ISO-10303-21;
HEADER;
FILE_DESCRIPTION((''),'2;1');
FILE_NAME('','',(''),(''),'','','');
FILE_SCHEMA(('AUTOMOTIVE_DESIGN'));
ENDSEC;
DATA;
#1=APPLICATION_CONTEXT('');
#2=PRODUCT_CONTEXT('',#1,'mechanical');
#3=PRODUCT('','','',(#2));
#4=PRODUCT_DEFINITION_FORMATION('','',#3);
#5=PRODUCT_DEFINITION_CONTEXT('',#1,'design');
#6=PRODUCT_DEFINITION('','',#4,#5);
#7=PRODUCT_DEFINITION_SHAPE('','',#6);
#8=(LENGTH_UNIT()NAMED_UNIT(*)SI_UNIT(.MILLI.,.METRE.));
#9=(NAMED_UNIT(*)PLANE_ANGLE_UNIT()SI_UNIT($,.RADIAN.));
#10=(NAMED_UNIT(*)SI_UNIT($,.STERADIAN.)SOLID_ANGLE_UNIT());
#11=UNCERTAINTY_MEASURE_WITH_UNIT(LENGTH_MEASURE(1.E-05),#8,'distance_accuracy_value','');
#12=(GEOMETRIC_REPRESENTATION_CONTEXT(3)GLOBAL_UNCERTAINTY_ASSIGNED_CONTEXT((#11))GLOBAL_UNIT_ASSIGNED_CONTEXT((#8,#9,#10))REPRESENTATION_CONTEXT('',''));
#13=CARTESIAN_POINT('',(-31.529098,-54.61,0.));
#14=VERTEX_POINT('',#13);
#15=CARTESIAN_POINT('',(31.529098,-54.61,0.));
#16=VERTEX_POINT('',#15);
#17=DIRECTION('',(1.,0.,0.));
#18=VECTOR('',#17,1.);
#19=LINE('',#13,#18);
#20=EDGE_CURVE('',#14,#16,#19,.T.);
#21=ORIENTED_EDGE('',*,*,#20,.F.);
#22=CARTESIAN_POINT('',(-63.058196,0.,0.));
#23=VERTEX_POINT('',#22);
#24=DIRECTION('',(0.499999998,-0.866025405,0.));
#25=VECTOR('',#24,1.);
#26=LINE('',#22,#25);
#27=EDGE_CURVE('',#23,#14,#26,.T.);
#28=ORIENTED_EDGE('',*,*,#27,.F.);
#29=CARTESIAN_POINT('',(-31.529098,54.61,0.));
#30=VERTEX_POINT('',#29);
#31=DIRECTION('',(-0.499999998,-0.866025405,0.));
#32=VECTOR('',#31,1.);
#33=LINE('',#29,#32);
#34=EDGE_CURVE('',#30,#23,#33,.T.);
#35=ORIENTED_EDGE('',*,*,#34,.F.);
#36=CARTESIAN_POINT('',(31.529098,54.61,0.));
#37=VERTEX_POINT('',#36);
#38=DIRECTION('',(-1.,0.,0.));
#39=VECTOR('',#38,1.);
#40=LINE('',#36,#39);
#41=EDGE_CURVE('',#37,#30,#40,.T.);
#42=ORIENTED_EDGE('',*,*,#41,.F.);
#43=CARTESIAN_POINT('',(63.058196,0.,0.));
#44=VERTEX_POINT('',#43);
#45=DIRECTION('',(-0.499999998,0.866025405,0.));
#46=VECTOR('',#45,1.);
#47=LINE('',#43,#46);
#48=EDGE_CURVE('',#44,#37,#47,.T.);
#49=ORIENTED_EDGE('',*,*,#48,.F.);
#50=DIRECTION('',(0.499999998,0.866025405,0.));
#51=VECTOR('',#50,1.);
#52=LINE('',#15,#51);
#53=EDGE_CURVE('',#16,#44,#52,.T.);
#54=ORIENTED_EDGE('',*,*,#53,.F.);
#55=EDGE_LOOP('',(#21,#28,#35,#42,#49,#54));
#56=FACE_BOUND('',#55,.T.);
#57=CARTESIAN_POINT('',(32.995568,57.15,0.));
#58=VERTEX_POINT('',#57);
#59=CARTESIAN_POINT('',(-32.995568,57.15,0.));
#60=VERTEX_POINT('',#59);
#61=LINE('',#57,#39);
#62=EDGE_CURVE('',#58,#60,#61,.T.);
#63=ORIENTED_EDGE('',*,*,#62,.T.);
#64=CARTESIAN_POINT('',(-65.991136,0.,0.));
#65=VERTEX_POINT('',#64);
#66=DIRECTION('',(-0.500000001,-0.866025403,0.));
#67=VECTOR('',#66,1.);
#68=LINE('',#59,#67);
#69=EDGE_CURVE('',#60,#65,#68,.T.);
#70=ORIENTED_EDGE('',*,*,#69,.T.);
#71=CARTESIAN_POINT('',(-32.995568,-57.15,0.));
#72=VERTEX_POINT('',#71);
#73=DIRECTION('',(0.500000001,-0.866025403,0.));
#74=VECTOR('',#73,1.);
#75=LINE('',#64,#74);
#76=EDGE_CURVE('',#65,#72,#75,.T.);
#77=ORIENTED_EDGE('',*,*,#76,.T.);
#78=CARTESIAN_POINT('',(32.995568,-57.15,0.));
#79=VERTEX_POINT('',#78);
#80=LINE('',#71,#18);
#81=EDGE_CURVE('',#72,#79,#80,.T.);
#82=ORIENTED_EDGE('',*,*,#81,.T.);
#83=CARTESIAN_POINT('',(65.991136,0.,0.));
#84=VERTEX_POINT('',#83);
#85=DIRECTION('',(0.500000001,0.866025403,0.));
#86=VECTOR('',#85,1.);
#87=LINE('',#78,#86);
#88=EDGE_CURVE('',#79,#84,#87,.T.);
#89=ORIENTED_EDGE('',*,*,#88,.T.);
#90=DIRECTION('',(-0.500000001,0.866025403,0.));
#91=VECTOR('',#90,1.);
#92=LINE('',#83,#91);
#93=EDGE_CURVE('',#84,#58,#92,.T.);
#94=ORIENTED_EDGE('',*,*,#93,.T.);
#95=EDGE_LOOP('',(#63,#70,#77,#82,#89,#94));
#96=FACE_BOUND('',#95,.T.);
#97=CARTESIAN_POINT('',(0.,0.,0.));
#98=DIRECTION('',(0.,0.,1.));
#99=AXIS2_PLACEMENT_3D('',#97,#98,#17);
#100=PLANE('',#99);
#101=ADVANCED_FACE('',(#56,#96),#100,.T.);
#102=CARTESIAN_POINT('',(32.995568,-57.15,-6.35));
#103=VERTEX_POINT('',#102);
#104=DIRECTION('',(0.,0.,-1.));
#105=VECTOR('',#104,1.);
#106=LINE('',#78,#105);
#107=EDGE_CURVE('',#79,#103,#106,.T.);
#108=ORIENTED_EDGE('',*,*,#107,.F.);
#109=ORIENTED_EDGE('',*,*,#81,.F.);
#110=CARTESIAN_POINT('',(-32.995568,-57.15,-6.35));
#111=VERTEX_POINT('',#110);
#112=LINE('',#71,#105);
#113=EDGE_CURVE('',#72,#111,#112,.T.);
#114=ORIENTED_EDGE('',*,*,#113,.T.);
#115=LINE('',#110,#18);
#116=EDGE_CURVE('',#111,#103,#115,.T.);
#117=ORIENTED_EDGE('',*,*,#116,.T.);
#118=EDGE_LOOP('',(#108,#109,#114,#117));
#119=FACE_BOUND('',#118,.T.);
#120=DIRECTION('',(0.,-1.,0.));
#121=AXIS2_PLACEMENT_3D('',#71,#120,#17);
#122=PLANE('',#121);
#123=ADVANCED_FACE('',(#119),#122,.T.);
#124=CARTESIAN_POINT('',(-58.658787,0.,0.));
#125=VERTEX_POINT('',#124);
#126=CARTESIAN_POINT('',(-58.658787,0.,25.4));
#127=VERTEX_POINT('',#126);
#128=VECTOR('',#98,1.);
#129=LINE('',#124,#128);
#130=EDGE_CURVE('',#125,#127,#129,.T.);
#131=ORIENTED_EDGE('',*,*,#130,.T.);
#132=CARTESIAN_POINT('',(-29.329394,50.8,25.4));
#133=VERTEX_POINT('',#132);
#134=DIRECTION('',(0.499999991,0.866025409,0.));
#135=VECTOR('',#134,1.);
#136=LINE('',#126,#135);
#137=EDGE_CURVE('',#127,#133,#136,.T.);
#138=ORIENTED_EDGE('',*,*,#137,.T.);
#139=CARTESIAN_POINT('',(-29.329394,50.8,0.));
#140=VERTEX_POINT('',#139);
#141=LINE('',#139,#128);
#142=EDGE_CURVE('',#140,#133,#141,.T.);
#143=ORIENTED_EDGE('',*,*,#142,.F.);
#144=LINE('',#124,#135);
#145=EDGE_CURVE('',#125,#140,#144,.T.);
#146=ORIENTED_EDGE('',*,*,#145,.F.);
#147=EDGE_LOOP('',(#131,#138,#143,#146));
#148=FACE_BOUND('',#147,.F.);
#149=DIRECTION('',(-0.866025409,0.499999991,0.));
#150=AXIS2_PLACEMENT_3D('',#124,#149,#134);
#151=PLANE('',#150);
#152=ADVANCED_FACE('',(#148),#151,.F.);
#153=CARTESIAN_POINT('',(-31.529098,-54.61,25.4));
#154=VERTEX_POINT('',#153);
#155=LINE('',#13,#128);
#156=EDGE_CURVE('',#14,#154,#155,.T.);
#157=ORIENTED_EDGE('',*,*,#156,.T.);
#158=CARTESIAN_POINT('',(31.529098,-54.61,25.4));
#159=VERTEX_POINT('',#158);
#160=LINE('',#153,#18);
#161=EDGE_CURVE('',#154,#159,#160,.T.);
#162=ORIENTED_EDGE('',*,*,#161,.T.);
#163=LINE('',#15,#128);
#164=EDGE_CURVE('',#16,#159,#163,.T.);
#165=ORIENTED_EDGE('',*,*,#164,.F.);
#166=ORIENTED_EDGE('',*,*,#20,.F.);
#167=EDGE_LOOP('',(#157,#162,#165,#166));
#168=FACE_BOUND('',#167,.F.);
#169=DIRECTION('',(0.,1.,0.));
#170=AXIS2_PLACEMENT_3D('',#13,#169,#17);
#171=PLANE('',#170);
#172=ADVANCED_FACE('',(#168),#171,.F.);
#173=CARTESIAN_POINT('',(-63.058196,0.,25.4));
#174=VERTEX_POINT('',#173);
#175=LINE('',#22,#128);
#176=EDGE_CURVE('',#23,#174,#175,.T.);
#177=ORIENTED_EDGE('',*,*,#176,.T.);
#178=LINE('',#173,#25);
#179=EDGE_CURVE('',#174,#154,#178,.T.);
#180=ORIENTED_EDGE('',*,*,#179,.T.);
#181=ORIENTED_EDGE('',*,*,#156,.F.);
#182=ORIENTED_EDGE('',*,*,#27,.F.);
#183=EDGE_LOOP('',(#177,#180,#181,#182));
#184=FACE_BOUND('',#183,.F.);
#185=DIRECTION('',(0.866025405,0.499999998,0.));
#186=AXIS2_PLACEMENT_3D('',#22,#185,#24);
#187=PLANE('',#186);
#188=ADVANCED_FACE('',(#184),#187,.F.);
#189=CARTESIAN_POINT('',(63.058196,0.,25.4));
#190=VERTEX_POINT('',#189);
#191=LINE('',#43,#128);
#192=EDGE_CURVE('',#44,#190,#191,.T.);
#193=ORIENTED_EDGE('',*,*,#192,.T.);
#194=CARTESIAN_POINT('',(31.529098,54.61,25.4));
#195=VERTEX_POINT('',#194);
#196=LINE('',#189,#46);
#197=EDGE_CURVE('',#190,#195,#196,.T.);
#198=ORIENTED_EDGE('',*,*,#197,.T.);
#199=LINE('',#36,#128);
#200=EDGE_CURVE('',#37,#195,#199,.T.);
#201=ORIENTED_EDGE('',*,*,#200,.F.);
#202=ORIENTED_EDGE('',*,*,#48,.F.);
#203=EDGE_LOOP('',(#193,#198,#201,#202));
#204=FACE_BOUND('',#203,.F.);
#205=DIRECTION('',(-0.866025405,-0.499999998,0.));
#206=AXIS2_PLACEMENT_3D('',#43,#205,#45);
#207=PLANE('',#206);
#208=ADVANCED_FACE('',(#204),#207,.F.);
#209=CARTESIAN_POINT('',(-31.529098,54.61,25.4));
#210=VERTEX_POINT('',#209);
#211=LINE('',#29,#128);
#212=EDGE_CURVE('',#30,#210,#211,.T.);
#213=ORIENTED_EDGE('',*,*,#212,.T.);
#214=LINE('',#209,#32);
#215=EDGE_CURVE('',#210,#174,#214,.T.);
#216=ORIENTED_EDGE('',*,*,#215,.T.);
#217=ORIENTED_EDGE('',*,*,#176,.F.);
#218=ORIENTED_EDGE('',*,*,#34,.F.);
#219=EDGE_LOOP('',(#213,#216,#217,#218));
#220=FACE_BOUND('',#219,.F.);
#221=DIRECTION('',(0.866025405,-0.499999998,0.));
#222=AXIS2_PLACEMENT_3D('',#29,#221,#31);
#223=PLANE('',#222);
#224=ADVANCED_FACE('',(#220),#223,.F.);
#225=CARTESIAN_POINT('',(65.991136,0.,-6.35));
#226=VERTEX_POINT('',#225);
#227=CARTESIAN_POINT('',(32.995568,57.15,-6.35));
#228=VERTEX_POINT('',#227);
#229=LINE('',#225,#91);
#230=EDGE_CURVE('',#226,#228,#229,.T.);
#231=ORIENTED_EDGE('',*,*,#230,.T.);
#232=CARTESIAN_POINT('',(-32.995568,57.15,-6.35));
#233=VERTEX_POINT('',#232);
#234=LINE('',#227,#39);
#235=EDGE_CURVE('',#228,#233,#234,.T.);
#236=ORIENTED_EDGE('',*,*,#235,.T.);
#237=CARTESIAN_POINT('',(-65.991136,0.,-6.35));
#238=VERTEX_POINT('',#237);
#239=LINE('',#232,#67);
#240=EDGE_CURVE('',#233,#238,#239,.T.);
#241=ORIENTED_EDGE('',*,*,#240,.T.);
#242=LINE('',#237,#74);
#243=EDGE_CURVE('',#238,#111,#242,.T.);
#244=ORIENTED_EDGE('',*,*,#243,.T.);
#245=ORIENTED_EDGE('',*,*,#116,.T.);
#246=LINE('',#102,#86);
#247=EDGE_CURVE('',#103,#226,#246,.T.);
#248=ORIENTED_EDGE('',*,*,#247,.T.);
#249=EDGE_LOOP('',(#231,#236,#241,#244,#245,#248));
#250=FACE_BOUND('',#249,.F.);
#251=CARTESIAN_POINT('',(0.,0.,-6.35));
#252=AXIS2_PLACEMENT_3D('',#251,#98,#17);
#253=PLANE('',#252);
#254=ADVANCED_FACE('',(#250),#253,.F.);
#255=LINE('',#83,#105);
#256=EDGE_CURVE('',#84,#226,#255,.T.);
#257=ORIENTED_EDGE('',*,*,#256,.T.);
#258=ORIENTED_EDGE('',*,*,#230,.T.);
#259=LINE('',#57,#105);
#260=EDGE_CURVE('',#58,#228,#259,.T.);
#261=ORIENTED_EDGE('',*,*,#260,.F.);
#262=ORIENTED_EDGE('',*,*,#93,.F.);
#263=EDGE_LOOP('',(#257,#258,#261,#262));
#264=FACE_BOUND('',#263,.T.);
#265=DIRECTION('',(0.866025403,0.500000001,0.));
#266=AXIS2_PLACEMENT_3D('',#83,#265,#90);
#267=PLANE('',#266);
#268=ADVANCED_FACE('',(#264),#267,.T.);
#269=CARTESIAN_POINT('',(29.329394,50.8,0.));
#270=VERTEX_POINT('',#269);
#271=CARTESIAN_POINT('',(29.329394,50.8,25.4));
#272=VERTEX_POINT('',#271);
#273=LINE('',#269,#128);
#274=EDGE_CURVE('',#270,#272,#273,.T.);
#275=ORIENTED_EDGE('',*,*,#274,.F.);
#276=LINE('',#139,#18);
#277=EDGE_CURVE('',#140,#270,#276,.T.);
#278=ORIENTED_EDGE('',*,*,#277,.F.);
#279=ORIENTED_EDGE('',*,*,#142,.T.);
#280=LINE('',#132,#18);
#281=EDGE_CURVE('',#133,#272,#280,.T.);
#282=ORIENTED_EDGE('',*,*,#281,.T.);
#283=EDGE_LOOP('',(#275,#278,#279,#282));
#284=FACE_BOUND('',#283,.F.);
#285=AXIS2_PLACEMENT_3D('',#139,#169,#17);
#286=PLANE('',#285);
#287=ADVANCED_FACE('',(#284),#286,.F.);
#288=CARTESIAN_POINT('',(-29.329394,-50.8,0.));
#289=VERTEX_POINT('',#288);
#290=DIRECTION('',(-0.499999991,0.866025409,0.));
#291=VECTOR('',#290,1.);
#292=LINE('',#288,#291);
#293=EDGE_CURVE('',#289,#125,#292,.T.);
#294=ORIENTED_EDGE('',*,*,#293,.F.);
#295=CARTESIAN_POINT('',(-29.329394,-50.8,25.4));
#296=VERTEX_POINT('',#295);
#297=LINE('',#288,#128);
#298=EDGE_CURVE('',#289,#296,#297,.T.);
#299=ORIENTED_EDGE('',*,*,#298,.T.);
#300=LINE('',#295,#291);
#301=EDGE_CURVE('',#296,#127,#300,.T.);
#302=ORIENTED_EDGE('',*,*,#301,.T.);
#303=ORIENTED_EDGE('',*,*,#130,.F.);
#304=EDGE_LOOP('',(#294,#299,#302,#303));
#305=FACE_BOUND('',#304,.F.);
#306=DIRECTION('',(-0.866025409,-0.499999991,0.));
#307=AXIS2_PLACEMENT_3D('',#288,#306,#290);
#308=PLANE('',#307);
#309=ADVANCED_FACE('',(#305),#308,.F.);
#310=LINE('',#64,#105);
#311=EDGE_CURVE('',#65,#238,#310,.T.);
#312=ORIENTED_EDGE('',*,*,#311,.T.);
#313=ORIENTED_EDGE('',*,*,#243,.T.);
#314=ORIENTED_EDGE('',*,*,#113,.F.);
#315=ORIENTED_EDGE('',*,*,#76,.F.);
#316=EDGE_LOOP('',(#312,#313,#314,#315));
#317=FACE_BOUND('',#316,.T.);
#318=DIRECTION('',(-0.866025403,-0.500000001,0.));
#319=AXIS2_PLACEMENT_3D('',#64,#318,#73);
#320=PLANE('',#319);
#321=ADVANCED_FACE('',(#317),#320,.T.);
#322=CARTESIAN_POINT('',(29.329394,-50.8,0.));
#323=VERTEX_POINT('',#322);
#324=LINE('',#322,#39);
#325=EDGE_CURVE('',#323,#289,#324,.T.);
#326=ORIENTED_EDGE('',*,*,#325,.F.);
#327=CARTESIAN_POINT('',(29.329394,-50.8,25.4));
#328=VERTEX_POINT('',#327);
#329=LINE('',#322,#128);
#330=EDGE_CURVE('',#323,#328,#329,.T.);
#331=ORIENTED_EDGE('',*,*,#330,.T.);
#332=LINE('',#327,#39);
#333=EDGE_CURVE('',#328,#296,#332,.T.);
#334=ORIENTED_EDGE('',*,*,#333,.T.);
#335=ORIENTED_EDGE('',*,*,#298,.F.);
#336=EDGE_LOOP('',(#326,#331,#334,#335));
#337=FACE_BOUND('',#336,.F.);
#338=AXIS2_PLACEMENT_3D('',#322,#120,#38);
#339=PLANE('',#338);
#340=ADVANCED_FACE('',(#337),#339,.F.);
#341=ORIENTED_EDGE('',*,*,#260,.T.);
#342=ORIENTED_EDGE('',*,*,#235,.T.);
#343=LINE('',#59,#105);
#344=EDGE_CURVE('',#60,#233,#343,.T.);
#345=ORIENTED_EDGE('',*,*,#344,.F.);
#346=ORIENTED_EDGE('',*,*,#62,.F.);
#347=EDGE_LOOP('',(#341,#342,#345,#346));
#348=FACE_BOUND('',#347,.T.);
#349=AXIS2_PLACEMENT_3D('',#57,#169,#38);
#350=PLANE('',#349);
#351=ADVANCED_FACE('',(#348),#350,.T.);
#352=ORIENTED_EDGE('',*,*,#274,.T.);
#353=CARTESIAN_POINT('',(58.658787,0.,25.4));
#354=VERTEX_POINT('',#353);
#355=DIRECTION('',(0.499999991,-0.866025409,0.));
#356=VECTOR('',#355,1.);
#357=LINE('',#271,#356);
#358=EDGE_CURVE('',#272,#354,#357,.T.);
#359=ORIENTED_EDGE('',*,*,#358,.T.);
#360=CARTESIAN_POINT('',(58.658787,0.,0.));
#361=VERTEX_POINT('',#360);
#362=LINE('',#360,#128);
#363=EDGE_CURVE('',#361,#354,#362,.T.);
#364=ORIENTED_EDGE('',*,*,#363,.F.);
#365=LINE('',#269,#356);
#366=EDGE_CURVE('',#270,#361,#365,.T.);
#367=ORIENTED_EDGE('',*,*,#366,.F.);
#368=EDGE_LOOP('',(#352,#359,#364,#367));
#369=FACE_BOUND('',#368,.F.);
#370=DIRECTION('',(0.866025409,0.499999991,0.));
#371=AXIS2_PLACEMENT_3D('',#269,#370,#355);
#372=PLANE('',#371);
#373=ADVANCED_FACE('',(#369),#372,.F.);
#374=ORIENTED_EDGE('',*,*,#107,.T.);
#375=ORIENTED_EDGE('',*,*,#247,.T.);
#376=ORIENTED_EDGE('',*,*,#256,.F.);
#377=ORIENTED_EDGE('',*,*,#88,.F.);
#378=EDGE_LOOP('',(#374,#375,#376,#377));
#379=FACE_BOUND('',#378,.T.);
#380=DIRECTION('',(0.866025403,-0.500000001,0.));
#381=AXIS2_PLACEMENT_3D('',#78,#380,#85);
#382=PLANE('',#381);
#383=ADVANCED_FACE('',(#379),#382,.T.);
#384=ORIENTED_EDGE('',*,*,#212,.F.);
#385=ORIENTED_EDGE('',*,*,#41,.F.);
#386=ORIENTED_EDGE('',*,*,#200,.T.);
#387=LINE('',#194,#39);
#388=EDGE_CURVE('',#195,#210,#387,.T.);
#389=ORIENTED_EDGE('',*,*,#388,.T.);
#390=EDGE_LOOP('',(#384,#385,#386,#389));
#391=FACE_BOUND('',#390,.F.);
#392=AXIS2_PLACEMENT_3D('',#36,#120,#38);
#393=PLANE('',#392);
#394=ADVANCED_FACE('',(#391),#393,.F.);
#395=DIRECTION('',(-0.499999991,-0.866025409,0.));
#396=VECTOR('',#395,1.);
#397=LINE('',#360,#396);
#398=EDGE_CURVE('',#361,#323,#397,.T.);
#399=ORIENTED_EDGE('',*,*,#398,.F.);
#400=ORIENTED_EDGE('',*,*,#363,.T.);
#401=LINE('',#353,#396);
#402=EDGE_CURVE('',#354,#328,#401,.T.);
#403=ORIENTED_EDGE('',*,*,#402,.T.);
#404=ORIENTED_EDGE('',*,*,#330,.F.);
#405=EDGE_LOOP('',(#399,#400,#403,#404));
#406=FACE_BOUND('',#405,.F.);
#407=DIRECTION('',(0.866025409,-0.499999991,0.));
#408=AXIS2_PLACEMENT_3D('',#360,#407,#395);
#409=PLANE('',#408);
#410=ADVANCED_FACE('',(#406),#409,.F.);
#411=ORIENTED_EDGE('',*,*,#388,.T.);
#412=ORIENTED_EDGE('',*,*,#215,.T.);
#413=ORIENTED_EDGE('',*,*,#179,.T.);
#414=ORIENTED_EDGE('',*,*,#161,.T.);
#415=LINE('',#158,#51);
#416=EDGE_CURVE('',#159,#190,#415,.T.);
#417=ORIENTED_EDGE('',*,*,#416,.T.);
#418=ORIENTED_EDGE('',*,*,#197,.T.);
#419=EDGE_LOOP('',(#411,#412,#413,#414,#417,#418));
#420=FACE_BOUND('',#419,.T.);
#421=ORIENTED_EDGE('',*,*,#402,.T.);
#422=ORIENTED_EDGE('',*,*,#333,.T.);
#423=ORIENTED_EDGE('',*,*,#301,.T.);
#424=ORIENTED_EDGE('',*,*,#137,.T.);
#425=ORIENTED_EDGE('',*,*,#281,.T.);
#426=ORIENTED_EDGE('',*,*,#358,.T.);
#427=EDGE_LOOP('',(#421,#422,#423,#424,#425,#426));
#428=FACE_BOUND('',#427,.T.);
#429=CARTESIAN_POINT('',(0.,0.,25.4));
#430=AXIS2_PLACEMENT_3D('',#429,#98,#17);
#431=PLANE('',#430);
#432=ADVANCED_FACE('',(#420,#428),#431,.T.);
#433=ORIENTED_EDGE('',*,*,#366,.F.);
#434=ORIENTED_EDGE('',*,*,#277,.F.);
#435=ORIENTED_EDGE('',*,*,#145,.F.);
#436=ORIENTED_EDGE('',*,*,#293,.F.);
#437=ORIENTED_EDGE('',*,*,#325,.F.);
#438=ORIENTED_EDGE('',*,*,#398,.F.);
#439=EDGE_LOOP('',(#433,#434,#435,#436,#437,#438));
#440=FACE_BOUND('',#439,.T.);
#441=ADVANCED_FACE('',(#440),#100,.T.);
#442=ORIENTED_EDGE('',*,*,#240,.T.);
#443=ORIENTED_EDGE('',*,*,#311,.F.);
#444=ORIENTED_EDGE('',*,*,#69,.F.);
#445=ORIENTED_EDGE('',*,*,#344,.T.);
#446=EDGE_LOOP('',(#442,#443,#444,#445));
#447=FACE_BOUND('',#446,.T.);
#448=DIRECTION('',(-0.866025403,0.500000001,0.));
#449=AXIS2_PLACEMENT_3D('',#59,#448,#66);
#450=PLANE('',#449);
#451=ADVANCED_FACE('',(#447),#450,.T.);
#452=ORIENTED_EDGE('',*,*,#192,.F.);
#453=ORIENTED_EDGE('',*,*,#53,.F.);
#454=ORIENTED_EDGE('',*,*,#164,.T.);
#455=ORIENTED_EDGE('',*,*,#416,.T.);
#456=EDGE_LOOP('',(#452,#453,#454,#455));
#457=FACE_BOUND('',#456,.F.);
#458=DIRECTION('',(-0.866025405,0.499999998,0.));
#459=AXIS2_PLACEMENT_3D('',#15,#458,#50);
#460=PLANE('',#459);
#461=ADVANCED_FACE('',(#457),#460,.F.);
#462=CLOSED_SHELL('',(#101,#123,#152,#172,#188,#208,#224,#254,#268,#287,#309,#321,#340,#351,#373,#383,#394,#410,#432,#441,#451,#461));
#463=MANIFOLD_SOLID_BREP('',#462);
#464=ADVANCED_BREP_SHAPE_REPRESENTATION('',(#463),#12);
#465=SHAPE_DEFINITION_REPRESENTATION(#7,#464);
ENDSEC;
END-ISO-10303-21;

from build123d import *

# Parameters (mm, degrees)
F1_DEPTH = 6.35
F3_DEPTH = 25.4


with BuildPart() as f1:
    # F0 (on Top) → F1 (new body)
    with BuildSketch(Plane.XY):
        Polygon((32.995568, -57.15), (65.991136, 0), (32.995568, 57.15), (-32.995568, 57.15), (-65.991136, 0), (-32.995568, -57.15), align=None)
    extrude(amount=-F1_DEPTH)

    # F2 (on Top) → F3 (join)
    with BuildSketch(Plane.XY):
        Polygon((31.529098, -54.61), (63.058196, 0), (31.529098, 54.61), (-31.529098, 54.61), (-63.058196, 0), (-31.529098, -54.61), align=None)
        Polygon((29.329394, 50.8), (58.658787, 0), (29.329394, -50.8), (-29.329394, -50.8), (-58.658787, 0), (-29.329394, 50.8), align=None, mode=Mode.SUBTRACT)
    extrude(amount=F3_DEPTH)


solid = f1.part
